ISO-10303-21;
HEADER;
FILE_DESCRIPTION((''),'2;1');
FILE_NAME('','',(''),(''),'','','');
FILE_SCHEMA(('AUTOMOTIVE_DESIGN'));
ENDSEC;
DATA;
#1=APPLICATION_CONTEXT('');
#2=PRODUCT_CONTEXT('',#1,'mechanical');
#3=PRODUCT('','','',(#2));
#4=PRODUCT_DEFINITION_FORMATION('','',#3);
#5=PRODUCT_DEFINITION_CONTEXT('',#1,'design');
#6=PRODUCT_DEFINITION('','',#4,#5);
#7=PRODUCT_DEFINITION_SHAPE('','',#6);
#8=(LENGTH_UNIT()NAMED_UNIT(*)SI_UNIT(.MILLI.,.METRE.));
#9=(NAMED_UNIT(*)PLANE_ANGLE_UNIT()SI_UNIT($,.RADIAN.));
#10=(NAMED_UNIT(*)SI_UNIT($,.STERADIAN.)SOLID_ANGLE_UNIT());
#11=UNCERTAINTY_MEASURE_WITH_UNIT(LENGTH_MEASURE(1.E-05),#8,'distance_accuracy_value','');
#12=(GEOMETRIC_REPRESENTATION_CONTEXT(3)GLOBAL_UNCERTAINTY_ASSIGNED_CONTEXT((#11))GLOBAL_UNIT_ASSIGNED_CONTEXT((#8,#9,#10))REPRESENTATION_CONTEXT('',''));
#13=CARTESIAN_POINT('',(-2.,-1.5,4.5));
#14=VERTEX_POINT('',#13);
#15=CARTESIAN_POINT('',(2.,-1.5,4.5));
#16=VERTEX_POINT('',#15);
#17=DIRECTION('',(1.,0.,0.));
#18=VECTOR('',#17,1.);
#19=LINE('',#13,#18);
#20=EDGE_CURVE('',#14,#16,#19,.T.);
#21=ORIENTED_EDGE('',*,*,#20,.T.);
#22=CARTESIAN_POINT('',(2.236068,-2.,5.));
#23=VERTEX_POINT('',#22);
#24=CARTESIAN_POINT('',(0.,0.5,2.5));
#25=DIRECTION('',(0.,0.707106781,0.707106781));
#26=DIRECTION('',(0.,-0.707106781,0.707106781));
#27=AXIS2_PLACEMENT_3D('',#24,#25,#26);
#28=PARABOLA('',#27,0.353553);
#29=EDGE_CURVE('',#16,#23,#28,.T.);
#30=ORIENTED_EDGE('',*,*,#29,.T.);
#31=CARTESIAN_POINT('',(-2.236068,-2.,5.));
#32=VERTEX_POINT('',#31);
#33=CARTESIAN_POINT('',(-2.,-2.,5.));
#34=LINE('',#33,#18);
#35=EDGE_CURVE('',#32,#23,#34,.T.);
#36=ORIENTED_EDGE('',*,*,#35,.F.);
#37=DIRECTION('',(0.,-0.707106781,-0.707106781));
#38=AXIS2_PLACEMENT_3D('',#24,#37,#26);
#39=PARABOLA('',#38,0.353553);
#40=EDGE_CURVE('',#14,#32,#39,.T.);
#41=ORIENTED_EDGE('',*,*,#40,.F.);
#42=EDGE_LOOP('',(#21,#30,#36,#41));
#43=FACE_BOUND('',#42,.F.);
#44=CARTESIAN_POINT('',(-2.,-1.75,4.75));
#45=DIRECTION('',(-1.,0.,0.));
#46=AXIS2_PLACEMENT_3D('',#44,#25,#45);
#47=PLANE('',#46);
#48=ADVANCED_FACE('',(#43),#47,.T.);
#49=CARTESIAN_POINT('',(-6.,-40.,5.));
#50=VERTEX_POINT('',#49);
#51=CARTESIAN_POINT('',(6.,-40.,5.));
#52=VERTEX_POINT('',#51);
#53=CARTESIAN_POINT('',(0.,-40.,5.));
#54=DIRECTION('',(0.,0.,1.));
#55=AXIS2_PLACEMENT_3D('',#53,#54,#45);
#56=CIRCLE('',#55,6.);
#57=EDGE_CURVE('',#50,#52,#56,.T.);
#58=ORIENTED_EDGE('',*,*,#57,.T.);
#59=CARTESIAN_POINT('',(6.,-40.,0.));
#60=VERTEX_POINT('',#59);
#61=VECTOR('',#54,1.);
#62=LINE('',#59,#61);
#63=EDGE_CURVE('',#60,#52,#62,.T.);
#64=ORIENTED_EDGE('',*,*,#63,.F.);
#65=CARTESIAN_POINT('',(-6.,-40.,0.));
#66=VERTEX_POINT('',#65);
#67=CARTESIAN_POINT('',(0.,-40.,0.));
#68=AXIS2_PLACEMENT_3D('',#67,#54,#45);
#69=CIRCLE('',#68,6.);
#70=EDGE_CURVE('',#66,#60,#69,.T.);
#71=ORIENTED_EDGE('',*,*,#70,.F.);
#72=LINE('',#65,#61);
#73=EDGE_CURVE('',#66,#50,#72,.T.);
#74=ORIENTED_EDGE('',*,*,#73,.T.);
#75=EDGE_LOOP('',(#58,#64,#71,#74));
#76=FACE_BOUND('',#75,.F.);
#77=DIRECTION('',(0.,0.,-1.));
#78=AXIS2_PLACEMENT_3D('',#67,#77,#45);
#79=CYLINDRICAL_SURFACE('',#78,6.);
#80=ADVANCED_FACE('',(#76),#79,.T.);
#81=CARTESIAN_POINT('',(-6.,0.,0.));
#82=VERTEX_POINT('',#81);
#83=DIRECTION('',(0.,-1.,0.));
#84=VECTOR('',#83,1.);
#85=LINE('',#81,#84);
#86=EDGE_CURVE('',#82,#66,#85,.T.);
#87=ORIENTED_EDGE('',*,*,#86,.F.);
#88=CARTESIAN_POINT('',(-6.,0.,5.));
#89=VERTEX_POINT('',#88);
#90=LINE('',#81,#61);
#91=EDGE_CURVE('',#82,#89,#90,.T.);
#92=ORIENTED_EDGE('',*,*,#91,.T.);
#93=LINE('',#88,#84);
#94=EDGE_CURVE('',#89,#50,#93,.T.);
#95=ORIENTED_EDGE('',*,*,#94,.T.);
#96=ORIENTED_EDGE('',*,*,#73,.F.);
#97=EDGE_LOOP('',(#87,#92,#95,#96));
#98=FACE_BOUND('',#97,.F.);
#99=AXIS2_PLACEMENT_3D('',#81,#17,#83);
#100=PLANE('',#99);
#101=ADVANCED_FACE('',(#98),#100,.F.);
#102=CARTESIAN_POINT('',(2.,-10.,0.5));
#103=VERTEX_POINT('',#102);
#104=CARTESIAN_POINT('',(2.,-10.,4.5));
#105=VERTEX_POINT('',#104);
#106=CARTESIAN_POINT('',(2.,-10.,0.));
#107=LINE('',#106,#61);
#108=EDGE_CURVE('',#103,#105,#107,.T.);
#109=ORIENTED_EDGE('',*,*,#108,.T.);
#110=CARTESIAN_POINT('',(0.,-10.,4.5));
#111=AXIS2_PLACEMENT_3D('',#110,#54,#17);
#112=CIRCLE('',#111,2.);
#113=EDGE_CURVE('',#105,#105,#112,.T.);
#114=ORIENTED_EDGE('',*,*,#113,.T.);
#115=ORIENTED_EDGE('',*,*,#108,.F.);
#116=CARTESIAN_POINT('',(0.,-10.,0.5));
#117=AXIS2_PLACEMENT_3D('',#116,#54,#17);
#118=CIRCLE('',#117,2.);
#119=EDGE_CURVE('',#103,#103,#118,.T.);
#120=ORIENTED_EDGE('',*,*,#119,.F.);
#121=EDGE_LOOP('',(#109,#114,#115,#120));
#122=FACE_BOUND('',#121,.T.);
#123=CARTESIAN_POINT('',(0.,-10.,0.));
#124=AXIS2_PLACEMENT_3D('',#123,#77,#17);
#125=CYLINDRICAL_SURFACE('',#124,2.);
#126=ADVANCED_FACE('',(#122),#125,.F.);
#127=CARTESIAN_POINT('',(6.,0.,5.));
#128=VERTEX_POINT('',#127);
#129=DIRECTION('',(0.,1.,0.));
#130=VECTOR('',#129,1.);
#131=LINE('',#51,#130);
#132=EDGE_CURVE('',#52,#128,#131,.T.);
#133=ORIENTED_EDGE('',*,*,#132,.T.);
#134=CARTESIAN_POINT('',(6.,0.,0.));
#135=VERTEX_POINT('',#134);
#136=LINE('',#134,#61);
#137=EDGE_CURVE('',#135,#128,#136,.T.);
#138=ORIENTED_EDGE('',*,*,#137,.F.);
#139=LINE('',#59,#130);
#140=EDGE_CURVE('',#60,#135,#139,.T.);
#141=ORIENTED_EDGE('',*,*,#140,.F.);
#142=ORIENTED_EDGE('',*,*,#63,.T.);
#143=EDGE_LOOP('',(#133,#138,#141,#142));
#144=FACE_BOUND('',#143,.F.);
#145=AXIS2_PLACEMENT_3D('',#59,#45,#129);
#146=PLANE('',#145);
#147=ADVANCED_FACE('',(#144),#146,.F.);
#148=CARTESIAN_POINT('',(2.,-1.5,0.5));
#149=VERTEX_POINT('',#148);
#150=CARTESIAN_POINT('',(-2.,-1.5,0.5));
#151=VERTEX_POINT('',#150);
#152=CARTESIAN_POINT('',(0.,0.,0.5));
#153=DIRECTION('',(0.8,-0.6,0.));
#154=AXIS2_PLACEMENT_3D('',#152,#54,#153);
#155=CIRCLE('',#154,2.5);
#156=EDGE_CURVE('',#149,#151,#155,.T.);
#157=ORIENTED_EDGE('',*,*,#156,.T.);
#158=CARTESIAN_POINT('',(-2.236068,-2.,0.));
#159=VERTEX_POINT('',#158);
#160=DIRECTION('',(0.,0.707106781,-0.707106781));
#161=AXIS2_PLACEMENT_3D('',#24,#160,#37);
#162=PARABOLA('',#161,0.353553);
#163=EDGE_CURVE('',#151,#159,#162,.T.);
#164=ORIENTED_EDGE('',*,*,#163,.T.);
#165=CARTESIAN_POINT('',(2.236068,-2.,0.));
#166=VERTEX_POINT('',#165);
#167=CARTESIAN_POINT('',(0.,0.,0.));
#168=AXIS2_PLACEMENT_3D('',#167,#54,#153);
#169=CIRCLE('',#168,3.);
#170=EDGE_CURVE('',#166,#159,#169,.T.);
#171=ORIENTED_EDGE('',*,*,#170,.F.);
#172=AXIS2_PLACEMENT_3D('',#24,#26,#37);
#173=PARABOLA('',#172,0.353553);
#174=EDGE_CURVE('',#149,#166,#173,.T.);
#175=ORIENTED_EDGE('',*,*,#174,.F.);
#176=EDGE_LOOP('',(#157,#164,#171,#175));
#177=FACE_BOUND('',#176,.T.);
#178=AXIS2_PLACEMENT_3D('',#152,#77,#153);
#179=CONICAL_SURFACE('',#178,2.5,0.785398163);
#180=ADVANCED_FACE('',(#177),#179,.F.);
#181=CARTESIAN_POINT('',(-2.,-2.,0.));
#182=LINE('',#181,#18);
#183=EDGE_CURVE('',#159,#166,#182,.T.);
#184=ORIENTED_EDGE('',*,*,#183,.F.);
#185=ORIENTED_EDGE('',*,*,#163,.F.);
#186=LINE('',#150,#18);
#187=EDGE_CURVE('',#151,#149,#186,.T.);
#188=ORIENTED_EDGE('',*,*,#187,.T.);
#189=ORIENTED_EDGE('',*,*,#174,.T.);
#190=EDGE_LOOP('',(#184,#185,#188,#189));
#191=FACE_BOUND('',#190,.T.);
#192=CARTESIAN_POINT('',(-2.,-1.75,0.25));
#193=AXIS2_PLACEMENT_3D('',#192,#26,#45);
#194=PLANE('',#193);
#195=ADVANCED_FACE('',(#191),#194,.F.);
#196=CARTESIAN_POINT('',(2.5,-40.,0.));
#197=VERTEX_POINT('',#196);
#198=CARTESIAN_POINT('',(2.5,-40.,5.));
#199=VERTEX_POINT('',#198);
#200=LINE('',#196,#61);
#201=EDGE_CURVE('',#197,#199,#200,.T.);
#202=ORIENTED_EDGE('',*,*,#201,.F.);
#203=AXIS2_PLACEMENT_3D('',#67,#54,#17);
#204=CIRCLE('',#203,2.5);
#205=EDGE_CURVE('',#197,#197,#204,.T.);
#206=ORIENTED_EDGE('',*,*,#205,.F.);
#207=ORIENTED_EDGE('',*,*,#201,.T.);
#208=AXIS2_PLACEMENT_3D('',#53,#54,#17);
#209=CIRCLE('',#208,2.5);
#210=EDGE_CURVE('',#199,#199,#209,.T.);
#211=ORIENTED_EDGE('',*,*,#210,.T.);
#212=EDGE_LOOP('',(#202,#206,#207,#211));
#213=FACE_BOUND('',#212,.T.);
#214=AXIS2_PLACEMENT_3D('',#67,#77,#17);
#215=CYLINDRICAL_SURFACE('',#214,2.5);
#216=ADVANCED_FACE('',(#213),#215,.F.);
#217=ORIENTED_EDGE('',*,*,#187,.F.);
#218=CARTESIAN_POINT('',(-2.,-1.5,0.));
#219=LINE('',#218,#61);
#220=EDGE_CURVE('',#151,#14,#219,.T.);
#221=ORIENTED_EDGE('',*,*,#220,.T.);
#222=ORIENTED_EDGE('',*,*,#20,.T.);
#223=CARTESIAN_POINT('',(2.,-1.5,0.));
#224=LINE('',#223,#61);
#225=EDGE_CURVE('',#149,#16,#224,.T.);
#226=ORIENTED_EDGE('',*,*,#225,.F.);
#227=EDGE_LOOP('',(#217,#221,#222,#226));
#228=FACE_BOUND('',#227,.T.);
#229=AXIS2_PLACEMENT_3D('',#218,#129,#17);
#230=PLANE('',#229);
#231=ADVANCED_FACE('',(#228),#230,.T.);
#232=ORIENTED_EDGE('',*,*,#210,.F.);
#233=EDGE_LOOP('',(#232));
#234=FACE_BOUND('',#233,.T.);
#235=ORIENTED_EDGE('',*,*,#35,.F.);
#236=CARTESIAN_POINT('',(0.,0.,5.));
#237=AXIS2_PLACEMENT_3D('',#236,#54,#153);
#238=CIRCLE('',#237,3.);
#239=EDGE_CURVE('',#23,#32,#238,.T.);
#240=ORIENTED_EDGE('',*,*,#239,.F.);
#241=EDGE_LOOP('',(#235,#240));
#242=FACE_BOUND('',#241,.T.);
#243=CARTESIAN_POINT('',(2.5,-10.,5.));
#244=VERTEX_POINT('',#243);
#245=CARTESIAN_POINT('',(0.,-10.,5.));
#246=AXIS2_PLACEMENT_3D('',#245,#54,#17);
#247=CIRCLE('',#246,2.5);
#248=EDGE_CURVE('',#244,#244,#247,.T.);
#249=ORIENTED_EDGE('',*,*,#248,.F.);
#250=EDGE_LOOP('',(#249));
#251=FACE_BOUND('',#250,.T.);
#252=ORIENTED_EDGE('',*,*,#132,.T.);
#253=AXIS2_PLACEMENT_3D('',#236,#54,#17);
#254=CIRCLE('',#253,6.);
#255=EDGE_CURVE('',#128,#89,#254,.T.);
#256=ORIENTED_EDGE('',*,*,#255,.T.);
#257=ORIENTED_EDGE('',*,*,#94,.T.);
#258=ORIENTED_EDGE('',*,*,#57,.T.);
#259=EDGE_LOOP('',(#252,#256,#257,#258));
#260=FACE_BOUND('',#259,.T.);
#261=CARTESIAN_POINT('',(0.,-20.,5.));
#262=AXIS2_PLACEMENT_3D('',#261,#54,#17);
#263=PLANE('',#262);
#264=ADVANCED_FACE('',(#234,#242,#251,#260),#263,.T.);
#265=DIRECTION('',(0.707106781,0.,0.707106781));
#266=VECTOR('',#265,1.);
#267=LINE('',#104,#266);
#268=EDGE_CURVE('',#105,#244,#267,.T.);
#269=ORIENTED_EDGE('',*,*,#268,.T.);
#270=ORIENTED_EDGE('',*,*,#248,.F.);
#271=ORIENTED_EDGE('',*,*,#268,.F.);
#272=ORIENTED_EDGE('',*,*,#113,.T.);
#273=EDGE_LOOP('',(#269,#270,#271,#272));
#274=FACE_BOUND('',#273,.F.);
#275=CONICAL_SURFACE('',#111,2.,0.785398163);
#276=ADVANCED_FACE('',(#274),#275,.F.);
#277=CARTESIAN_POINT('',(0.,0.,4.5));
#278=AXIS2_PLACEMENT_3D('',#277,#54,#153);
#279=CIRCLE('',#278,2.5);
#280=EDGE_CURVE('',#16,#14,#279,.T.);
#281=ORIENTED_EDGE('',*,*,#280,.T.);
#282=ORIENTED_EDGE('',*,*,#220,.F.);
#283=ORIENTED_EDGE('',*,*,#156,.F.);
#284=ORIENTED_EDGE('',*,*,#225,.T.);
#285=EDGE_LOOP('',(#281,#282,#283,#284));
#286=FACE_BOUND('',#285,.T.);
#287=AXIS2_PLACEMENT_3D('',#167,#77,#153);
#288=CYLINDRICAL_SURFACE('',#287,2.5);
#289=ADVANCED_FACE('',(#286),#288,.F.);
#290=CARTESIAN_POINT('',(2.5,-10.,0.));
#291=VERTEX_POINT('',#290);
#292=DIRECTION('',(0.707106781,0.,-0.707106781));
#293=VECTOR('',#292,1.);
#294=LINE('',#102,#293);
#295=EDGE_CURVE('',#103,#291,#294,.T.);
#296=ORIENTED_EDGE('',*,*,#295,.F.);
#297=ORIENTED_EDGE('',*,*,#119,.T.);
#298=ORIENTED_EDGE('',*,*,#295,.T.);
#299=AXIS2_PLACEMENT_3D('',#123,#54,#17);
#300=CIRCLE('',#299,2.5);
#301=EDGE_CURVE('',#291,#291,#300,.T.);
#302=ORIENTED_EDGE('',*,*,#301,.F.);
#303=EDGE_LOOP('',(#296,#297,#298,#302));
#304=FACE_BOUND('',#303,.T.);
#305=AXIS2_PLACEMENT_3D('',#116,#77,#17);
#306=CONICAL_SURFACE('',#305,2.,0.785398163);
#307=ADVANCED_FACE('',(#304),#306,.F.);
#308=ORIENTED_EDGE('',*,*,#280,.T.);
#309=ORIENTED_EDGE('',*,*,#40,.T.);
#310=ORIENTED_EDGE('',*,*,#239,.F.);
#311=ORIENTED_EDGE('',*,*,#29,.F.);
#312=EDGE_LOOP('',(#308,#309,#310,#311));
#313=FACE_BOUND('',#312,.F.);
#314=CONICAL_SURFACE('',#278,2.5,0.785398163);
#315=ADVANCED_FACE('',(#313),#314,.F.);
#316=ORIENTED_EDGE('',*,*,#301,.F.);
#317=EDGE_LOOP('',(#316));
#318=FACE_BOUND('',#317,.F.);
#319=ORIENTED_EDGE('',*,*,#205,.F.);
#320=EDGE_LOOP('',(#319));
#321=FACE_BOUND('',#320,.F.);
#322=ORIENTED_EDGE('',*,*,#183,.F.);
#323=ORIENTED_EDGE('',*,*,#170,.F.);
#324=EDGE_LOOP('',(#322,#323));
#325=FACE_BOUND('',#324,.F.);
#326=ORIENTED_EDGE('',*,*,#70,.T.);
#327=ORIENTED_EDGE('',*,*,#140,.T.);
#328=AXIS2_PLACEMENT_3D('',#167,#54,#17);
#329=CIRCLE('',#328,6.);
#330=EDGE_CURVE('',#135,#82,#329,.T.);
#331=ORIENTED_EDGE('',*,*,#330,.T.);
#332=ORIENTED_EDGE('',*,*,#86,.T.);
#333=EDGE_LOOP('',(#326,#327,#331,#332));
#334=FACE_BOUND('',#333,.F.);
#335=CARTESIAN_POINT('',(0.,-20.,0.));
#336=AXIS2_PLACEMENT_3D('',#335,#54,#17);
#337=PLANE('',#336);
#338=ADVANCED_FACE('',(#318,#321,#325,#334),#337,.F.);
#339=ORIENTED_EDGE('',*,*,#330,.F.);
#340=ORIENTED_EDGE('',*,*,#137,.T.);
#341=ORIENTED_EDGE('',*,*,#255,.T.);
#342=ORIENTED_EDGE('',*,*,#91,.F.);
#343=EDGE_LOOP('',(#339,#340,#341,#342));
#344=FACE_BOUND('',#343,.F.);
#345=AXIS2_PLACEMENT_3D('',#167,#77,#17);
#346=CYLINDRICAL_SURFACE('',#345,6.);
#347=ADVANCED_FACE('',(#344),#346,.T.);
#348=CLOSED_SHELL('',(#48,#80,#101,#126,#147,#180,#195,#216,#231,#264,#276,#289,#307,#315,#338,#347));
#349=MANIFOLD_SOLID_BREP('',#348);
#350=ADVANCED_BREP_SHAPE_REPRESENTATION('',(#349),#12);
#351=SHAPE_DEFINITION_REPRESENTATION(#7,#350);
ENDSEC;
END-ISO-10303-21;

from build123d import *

# Parameters (mm, degrees)
SZKIC1_R                    = 2.5
SZKIC1_R_2                  = 2
DODANIE_WYCI_GNI_CIE1_DEPTH = 5
SFAZOWANIE1_SIZE            = 0.5


with BuildPart() as part:
    # Szkic1 → Dodanie-wyciągnięcie1 (new body)
    with BuildSketch(Plane.XY):
        with BuildLine():
            Line((6, -40), (6, 0))
            ThreePointArc((6, 0), (0, 6), (-6, 0))
            Line((-6, 0), (-6, -40))
            ThreePointArc((-6, -40), (0, -46), (6, -40))
        make_face()
        with Locations((0, -40)):
            Circle(SZKIC1_R, mode=Mode.SUBTRACT)
        with Locations((0, -10)):
            Circle(SZKIC1_R_2, mode=Mode.SUBTRACT)
        with BuildLine():
            Line((-2, -1.5), (2, -1.5))
            ThreePointArc((2, -1.5), (0, 2.5), (-2, -1.5))
        make_face(mode=Mode.SUBTRACT)
    extrude(amount=DODANIE_WYCI_GNI_CIE1_DEPTH)

    # Sfazowanie1
    sfazowanie1_edges = [part.edges().sort_by_distance(p)[0] for p in [
        (0, -1.5, 0),
        (0, 2.5, 0),
        (-2, -10, 0),
        (0, 2.5, 5),
        (0, -1.5, 5),
        (-2, -10, 5),
    ]]
    chamfer(sfazowanie1_edges, length=SFAZOWANIE1_SIZE)


solid = part.part
